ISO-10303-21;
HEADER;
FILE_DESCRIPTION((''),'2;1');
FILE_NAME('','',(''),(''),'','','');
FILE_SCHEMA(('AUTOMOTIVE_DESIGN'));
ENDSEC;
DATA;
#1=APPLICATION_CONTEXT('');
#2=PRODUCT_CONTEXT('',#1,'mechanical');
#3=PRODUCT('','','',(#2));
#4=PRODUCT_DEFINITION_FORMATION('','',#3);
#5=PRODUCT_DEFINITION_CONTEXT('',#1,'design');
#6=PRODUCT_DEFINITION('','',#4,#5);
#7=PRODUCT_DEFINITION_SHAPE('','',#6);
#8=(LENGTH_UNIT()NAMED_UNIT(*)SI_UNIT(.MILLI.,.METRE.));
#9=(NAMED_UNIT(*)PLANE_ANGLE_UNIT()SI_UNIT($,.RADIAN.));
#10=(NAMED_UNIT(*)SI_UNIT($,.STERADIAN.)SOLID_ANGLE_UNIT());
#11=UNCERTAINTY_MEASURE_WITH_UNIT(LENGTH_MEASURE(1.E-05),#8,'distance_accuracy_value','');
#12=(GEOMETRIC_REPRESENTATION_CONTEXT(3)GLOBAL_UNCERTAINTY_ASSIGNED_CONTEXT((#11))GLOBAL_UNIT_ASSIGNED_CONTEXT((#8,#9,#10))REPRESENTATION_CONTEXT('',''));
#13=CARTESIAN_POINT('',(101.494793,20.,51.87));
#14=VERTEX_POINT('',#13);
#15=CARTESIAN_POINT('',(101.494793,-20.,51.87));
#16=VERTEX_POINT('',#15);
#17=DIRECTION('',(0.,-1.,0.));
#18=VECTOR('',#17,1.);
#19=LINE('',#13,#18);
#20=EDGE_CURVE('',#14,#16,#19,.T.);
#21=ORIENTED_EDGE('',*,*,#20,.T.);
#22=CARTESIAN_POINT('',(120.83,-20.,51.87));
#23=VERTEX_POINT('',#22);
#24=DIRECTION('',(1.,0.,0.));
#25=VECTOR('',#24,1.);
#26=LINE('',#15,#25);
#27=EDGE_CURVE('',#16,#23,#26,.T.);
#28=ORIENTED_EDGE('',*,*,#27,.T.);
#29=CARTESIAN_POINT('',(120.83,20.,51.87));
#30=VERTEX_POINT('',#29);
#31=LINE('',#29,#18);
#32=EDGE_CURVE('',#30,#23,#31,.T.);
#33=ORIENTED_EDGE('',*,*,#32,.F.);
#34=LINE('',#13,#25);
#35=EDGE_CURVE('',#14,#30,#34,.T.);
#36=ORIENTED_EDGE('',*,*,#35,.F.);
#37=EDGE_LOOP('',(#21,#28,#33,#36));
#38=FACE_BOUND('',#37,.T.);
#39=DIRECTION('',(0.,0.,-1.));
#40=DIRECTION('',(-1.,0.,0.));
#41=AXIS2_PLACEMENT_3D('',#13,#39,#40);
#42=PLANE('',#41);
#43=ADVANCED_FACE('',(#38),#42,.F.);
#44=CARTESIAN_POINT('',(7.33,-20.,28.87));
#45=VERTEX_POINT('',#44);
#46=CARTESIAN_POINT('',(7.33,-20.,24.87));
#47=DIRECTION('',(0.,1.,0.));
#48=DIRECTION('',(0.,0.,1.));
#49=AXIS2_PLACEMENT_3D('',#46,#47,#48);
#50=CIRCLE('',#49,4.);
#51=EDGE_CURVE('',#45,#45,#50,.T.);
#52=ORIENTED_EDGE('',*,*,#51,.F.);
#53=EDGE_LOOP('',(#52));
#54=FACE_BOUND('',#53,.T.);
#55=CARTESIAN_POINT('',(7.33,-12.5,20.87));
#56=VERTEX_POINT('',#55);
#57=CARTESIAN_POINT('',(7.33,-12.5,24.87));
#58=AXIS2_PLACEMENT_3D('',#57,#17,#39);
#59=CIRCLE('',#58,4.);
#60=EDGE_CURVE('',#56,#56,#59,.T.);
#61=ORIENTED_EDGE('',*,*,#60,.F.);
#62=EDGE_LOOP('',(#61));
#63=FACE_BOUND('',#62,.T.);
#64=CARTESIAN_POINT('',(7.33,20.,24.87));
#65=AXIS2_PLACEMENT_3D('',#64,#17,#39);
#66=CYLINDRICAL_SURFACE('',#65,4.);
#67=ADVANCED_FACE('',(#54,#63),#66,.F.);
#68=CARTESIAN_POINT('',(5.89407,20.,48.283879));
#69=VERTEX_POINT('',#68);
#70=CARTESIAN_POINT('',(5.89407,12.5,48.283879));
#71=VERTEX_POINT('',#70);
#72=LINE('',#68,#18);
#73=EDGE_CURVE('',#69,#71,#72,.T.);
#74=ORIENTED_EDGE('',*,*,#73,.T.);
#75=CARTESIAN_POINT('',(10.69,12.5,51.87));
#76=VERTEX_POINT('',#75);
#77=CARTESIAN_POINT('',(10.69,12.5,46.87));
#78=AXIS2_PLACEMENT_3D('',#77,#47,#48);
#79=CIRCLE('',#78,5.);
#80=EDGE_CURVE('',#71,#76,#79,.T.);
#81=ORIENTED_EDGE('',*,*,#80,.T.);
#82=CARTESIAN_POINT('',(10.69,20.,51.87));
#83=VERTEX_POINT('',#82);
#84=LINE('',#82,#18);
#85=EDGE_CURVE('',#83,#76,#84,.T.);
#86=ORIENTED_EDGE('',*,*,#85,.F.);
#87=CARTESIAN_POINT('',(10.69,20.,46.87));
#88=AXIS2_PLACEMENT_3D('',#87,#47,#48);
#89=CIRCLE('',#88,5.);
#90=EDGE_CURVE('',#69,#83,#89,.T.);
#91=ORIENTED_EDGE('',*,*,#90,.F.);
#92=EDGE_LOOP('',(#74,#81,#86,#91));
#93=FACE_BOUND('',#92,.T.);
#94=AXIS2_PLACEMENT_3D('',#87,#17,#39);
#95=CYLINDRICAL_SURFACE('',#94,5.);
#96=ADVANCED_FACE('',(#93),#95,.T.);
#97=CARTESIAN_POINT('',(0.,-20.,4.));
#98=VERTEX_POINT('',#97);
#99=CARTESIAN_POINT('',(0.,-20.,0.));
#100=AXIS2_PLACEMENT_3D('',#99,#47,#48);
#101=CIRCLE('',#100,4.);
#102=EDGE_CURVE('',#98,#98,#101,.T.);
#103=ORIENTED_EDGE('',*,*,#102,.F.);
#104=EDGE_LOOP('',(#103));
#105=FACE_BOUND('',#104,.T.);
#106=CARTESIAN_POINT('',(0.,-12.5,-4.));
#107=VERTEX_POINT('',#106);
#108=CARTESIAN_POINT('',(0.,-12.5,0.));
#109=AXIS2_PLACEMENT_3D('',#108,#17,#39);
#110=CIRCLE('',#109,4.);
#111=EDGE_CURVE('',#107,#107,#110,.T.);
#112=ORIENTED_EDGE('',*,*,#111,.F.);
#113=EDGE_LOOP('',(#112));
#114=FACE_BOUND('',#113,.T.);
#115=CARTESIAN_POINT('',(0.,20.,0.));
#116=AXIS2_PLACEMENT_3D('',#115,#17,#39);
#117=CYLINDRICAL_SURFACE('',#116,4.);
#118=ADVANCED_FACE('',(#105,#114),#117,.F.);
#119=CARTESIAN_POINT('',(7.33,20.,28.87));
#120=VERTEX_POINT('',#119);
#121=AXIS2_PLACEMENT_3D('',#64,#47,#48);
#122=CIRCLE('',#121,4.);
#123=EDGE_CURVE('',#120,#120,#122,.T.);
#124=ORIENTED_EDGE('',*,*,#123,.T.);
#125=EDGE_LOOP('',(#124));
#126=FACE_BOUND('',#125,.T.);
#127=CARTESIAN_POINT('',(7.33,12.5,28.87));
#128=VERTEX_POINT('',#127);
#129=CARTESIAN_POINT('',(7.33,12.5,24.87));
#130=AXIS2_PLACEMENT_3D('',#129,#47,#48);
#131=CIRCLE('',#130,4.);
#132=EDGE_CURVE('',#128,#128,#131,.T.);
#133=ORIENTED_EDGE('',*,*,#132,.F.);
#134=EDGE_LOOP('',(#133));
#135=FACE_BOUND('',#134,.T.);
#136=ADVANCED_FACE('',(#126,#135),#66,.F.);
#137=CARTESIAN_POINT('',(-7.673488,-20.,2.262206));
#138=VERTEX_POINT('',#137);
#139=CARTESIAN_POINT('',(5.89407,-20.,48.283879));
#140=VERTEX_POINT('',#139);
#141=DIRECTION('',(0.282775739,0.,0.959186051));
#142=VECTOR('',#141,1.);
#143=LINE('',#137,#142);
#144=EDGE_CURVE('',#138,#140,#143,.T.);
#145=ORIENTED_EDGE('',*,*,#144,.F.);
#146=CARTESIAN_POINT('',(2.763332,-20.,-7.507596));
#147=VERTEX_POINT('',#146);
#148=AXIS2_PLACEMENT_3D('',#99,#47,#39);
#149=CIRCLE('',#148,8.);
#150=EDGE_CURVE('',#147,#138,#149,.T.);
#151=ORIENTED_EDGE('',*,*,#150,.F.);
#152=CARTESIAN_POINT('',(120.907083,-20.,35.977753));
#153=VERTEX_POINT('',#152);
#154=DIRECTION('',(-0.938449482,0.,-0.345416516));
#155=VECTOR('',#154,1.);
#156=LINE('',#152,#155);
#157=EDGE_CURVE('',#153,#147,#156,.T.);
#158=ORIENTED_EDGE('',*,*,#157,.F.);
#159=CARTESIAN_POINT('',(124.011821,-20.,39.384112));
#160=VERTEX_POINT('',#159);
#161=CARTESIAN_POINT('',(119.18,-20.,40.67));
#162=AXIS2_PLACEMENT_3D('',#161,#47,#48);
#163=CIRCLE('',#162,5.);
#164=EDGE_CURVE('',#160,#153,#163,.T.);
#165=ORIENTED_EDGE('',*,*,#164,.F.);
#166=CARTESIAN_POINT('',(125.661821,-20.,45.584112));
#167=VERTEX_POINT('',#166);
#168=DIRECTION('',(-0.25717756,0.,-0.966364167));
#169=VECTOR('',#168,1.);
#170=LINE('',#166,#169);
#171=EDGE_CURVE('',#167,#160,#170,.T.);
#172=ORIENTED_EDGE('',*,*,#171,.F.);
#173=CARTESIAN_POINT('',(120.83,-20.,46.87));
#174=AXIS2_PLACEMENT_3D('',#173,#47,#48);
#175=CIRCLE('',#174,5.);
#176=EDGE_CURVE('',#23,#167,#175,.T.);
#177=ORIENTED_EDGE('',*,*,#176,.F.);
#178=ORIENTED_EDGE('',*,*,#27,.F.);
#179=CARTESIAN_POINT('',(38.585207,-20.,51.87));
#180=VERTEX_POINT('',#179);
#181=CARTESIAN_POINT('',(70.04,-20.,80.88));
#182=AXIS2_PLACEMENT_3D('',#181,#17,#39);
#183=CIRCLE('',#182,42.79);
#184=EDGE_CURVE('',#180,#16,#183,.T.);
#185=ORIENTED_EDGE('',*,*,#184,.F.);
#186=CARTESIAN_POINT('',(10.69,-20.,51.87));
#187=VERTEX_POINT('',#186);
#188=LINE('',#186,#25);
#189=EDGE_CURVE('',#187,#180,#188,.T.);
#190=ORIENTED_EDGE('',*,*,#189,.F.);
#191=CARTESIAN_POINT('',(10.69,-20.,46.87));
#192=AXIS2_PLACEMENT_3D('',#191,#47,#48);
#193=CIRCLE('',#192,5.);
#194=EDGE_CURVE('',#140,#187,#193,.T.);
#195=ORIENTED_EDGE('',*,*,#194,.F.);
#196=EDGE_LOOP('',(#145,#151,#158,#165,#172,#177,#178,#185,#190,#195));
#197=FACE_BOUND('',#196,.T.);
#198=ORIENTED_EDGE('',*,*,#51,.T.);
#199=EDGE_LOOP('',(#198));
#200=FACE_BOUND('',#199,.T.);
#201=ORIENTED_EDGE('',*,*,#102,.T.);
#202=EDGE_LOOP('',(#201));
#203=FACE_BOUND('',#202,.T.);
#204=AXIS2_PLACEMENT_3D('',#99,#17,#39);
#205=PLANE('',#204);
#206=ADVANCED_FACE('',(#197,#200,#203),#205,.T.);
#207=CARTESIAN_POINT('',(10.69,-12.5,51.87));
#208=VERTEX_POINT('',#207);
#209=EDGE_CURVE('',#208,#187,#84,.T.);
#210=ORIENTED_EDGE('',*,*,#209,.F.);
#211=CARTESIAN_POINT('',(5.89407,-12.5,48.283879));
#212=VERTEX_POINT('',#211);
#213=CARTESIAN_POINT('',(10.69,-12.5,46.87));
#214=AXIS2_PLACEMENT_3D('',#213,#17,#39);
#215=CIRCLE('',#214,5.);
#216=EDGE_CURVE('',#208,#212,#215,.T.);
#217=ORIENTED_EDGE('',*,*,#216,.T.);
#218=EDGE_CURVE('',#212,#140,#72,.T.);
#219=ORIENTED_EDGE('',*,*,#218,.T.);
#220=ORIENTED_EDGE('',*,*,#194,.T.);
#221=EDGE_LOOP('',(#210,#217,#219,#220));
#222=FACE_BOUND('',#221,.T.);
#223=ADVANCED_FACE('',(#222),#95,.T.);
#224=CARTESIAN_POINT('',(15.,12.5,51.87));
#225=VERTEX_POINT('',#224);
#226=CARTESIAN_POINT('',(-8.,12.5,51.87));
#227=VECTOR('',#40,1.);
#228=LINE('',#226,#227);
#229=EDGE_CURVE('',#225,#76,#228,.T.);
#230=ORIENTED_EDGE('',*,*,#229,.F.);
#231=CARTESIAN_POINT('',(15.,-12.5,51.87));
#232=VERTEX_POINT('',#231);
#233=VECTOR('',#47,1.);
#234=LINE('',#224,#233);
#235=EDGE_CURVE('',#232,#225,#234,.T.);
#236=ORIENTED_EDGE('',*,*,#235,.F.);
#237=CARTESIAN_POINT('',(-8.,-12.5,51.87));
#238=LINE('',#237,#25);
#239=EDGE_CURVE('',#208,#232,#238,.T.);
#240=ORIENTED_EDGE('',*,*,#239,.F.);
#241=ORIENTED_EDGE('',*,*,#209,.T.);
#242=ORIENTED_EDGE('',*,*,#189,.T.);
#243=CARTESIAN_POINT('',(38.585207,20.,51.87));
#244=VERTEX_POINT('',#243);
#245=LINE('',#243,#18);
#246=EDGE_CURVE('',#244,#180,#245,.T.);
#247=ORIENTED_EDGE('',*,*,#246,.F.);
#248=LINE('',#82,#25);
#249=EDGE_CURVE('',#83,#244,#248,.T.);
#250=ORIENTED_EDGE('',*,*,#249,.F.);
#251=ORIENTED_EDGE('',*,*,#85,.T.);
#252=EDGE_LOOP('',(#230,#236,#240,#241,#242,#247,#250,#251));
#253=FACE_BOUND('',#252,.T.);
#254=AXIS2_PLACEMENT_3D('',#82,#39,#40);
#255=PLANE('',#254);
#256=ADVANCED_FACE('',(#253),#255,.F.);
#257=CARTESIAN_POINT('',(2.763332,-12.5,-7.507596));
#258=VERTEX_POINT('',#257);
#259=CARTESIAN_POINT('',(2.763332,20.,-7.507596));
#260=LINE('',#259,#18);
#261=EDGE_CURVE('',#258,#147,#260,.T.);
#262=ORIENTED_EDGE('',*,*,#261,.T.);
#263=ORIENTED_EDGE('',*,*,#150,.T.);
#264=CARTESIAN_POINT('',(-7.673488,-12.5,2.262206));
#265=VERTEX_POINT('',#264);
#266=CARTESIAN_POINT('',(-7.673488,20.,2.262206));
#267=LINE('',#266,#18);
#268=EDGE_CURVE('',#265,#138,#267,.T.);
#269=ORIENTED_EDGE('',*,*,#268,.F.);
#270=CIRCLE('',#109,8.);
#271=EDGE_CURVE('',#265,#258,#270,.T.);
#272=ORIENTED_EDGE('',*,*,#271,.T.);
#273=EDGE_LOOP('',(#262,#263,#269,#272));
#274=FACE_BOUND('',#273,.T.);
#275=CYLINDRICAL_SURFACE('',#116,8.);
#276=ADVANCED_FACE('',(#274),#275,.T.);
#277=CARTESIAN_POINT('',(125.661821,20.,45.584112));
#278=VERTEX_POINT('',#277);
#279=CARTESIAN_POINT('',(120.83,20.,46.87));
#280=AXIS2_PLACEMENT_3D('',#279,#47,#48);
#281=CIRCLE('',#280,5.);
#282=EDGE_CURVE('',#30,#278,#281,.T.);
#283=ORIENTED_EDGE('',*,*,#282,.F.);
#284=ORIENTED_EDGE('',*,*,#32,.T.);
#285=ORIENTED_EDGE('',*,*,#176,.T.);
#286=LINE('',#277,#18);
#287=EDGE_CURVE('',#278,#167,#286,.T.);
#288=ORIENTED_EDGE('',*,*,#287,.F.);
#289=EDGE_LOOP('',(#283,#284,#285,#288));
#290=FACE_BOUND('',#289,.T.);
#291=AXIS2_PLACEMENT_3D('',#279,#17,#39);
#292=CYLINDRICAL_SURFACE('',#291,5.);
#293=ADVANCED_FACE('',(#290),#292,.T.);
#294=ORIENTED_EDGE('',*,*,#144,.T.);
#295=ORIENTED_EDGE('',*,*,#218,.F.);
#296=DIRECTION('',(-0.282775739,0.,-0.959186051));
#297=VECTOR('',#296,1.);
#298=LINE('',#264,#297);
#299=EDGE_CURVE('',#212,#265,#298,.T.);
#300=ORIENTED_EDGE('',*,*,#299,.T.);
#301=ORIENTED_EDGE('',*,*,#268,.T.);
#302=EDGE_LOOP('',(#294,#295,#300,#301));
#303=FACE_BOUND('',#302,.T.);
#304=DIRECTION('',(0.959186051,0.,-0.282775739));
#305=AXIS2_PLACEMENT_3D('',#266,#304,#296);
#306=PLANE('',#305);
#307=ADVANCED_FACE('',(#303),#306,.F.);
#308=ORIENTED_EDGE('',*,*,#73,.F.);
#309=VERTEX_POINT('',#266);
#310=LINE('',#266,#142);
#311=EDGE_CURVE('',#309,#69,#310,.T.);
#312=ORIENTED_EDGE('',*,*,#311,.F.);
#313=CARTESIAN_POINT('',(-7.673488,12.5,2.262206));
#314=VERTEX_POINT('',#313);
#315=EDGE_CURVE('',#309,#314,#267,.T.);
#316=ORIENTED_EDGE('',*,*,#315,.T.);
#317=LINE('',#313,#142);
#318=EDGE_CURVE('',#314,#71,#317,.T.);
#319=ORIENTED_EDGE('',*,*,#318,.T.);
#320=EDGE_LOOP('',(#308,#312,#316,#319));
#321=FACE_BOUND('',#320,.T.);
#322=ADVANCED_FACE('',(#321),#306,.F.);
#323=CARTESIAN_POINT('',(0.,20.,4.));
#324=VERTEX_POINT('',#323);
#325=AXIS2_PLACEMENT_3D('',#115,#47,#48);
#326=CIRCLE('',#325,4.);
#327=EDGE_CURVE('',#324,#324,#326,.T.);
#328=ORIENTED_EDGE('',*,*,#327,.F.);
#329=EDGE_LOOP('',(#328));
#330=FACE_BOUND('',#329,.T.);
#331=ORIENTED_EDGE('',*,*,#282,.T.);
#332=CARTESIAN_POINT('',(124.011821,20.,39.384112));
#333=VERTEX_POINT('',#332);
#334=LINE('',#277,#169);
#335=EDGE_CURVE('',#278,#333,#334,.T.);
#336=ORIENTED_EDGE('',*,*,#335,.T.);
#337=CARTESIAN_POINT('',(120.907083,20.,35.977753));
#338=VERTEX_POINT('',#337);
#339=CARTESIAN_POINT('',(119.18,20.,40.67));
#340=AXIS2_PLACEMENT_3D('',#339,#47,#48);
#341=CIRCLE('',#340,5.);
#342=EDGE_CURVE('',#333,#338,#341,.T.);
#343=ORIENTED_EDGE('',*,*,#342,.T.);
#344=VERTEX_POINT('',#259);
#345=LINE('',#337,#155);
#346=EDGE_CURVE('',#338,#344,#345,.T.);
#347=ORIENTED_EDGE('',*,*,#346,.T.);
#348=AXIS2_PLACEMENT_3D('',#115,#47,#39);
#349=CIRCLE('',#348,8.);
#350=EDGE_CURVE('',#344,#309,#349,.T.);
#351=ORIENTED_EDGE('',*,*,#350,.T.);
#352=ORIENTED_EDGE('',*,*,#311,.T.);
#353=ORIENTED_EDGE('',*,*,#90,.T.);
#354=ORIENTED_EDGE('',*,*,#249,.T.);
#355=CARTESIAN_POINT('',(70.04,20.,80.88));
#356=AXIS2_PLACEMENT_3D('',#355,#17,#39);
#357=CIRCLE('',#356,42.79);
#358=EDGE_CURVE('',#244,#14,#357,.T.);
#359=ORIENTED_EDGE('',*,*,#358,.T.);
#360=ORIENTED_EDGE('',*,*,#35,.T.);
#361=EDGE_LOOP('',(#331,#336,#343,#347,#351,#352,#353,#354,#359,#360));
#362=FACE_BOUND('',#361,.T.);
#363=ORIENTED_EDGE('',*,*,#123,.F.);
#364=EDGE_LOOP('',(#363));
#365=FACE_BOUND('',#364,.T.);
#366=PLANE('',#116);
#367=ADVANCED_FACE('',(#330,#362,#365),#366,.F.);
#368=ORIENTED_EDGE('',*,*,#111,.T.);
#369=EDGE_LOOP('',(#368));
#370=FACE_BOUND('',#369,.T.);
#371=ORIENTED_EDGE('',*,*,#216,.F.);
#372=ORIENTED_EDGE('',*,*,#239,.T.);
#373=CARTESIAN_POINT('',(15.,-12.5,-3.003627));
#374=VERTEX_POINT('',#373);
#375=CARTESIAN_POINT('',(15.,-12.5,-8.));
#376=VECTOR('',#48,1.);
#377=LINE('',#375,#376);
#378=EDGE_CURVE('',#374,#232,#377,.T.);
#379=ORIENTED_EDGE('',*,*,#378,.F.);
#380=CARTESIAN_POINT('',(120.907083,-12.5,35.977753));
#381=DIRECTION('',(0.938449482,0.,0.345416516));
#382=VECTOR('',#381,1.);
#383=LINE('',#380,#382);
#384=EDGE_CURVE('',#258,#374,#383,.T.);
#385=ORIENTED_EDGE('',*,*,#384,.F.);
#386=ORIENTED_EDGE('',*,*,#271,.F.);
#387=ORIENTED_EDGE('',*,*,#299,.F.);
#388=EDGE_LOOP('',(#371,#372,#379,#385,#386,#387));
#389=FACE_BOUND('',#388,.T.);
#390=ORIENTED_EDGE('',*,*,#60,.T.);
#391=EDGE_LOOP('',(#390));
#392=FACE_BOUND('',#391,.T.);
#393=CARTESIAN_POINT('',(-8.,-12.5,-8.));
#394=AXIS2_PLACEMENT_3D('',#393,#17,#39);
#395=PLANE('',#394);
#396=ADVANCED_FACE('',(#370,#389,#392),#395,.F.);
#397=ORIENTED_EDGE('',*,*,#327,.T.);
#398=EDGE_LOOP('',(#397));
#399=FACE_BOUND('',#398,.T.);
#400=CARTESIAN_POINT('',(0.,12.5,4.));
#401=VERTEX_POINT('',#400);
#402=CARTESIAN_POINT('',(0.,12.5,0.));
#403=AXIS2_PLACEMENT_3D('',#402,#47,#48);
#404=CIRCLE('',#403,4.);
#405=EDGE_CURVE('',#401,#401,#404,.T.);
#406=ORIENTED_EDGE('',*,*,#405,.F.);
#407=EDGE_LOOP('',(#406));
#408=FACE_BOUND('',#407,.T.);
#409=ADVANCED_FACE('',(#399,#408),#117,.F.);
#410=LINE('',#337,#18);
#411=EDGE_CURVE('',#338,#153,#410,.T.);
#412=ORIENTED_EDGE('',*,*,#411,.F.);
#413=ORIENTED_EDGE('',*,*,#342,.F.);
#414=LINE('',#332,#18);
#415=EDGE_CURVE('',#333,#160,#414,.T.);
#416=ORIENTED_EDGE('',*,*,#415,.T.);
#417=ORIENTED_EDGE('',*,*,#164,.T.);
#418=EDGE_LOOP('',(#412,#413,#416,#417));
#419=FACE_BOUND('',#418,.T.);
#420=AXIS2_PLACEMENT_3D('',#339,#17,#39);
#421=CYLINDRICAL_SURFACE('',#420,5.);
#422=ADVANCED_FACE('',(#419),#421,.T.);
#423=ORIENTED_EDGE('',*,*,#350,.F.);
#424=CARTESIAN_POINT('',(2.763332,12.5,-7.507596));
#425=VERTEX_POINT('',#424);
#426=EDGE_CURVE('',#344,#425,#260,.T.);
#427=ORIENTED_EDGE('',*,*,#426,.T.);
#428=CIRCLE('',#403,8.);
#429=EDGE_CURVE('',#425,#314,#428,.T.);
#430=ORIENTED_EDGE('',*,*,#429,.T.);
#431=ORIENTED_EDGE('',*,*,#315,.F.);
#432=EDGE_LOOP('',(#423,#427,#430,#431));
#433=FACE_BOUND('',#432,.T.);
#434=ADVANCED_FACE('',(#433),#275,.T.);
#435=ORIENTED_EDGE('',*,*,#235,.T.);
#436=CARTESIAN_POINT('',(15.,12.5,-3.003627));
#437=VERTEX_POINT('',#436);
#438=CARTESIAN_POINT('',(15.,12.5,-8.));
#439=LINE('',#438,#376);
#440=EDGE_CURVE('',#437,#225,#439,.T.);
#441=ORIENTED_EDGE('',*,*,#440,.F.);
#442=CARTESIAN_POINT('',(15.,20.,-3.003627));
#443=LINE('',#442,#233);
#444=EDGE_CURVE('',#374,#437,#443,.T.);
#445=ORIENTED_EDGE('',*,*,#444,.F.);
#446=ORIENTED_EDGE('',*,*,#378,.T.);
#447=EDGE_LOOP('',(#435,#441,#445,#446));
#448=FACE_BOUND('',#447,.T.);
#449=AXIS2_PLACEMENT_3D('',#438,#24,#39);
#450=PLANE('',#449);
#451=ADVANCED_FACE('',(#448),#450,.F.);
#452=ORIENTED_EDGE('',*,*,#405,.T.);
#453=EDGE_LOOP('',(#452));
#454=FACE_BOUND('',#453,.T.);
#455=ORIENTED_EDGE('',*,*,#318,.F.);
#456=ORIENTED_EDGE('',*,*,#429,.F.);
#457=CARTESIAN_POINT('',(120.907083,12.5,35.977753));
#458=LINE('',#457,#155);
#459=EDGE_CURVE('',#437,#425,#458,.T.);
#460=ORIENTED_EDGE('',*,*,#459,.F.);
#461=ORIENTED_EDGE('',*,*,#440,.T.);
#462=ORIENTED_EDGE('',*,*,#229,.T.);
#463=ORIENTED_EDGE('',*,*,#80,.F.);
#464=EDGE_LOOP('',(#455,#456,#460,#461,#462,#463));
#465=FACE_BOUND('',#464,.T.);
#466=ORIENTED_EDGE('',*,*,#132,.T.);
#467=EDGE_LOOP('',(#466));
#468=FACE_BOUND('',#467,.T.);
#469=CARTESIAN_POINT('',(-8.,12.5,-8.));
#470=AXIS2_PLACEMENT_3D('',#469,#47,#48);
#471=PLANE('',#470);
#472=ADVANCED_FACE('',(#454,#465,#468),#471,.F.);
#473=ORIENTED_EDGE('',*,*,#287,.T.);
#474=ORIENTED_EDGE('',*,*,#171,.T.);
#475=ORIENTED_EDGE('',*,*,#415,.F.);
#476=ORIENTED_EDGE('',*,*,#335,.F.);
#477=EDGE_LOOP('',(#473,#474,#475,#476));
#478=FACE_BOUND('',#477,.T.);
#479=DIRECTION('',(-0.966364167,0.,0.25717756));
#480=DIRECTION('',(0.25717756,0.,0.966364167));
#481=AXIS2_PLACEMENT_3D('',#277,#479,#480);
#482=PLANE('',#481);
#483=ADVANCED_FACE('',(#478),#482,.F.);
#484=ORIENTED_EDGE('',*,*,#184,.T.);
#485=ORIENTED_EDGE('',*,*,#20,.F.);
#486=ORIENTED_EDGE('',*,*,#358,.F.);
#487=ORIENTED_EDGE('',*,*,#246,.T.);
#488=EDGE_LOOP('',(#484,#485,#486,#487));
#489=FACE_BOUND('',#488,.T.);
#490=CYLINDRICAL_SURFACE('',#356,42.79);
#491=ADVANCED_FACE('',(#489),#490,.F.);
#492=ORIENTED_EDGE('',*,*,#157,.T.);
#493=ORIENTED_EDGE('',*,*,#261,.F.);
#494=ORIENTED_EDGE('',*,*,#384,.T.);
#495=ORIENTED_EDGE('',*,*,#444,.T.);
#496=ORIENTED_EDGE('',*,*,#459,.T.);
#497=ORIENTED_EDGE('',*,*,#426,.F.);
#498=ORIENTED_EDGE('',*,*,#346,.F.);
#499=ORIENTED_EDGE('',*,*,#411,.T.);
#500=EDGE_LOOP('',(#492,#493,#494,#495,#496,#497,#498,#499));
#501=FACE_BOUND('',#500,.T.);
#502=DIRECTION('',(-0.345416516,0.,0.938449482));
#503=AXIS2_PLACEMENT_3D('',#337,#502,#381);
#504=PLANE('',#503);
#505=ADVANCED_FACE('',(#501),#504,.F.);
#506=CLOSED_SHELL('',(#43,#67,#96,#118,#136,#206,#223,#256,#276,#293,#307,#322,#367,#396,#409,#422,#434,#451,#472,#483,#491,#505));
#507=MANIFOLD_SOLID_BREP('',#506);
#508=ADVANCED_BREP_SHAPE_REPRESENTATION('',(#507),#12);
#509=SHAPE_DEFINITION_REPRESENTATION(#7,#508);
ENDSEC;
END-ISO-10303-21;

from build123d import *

# Parameters (mm, degrees)
SKETCH_1_R               = 4
EXTRUDE_1_DEPTH          = 20
CUT_EXTRUDE_1_DEPTH      = 138.563388298
CUT_EXTRUDE_1_DEPTH_BACK = 138.563388298
SKETCH_2_W               = 23
SKETCH_2_H               = 25


with BuildPart() as part:
    # 草图1 → 凸台-拉伸1 (new, symmetric)
    with BuildSketch(Plane(origin=(0, 0, 0), x_dir=(1, 0, 0), z_dir=(0, 1, 0))):
        with BuildLine():
            Line((-7.673488412, -2.262205913), (5.894069743, -48.283878695))
            ThreePointArc((5.894069743, -48.283878695), (7.695788374, -50.874334744), (10.69, -51.87))
            Line((10.69, -51.87), (38.585207042, -51.87))
            ThreePointArc((38.585207042, -51.87), (70.04, -38.09), (101.494792958, -51.87))
            Line((101.494792958, -51.87), (120.83, -51.87))
            ThreePointArc((120.83, -51.87), (124.79417955, -49.917175823), (125.661820833, -45.584112198))
            Line((125.661820833, -45.584112198), (124.011820833, -39.384112198))
            ThreePointArc((124.011820833, -39.384112198), (122.875351803, -37.301858813), (120.907082582, -35.97775259))
            Line((120.907082582, -35.97775259), (2.763332132, 7.507595856))
            ThreePointArc((2.763332132, 7.507595856), (-5.467144165, 5.840405352), (-7.673488412, -2.262205913))
        make_face()
        with Locations(Location((0, 0, 0), (0, 0, 270))):
            Circle(SKETCH_1_R, mode=Mode.SUBTRACT)
        with Locations(Location((7.33, -24.87, 0), (0, 0, 270))):
            Circle(SKETCH_1_R, mode=Mode.SUBTRACT)
    extrude(amount=EXTRUDE_1_DEPTH, both=True)

    # 草图2 → 切除-拉伸1 (cut, two sides: drawn at the far end of the back side and taken through both)
    with BuildSketch(Plane.XY.offset(-CUT_EXTRUDE_1_DEPTH_BACK)):
        with Locations((3.5, 0)):
            Rectangle(SKETCH_2_W, SKETCH_2_H)
    extrude(amount=CUT_EXTRUDE_1_DEPTH + CUT_EXTRUDE_1_DEPTH_BACK, mode=Mode.SUBTRACT)


solid = part.part
